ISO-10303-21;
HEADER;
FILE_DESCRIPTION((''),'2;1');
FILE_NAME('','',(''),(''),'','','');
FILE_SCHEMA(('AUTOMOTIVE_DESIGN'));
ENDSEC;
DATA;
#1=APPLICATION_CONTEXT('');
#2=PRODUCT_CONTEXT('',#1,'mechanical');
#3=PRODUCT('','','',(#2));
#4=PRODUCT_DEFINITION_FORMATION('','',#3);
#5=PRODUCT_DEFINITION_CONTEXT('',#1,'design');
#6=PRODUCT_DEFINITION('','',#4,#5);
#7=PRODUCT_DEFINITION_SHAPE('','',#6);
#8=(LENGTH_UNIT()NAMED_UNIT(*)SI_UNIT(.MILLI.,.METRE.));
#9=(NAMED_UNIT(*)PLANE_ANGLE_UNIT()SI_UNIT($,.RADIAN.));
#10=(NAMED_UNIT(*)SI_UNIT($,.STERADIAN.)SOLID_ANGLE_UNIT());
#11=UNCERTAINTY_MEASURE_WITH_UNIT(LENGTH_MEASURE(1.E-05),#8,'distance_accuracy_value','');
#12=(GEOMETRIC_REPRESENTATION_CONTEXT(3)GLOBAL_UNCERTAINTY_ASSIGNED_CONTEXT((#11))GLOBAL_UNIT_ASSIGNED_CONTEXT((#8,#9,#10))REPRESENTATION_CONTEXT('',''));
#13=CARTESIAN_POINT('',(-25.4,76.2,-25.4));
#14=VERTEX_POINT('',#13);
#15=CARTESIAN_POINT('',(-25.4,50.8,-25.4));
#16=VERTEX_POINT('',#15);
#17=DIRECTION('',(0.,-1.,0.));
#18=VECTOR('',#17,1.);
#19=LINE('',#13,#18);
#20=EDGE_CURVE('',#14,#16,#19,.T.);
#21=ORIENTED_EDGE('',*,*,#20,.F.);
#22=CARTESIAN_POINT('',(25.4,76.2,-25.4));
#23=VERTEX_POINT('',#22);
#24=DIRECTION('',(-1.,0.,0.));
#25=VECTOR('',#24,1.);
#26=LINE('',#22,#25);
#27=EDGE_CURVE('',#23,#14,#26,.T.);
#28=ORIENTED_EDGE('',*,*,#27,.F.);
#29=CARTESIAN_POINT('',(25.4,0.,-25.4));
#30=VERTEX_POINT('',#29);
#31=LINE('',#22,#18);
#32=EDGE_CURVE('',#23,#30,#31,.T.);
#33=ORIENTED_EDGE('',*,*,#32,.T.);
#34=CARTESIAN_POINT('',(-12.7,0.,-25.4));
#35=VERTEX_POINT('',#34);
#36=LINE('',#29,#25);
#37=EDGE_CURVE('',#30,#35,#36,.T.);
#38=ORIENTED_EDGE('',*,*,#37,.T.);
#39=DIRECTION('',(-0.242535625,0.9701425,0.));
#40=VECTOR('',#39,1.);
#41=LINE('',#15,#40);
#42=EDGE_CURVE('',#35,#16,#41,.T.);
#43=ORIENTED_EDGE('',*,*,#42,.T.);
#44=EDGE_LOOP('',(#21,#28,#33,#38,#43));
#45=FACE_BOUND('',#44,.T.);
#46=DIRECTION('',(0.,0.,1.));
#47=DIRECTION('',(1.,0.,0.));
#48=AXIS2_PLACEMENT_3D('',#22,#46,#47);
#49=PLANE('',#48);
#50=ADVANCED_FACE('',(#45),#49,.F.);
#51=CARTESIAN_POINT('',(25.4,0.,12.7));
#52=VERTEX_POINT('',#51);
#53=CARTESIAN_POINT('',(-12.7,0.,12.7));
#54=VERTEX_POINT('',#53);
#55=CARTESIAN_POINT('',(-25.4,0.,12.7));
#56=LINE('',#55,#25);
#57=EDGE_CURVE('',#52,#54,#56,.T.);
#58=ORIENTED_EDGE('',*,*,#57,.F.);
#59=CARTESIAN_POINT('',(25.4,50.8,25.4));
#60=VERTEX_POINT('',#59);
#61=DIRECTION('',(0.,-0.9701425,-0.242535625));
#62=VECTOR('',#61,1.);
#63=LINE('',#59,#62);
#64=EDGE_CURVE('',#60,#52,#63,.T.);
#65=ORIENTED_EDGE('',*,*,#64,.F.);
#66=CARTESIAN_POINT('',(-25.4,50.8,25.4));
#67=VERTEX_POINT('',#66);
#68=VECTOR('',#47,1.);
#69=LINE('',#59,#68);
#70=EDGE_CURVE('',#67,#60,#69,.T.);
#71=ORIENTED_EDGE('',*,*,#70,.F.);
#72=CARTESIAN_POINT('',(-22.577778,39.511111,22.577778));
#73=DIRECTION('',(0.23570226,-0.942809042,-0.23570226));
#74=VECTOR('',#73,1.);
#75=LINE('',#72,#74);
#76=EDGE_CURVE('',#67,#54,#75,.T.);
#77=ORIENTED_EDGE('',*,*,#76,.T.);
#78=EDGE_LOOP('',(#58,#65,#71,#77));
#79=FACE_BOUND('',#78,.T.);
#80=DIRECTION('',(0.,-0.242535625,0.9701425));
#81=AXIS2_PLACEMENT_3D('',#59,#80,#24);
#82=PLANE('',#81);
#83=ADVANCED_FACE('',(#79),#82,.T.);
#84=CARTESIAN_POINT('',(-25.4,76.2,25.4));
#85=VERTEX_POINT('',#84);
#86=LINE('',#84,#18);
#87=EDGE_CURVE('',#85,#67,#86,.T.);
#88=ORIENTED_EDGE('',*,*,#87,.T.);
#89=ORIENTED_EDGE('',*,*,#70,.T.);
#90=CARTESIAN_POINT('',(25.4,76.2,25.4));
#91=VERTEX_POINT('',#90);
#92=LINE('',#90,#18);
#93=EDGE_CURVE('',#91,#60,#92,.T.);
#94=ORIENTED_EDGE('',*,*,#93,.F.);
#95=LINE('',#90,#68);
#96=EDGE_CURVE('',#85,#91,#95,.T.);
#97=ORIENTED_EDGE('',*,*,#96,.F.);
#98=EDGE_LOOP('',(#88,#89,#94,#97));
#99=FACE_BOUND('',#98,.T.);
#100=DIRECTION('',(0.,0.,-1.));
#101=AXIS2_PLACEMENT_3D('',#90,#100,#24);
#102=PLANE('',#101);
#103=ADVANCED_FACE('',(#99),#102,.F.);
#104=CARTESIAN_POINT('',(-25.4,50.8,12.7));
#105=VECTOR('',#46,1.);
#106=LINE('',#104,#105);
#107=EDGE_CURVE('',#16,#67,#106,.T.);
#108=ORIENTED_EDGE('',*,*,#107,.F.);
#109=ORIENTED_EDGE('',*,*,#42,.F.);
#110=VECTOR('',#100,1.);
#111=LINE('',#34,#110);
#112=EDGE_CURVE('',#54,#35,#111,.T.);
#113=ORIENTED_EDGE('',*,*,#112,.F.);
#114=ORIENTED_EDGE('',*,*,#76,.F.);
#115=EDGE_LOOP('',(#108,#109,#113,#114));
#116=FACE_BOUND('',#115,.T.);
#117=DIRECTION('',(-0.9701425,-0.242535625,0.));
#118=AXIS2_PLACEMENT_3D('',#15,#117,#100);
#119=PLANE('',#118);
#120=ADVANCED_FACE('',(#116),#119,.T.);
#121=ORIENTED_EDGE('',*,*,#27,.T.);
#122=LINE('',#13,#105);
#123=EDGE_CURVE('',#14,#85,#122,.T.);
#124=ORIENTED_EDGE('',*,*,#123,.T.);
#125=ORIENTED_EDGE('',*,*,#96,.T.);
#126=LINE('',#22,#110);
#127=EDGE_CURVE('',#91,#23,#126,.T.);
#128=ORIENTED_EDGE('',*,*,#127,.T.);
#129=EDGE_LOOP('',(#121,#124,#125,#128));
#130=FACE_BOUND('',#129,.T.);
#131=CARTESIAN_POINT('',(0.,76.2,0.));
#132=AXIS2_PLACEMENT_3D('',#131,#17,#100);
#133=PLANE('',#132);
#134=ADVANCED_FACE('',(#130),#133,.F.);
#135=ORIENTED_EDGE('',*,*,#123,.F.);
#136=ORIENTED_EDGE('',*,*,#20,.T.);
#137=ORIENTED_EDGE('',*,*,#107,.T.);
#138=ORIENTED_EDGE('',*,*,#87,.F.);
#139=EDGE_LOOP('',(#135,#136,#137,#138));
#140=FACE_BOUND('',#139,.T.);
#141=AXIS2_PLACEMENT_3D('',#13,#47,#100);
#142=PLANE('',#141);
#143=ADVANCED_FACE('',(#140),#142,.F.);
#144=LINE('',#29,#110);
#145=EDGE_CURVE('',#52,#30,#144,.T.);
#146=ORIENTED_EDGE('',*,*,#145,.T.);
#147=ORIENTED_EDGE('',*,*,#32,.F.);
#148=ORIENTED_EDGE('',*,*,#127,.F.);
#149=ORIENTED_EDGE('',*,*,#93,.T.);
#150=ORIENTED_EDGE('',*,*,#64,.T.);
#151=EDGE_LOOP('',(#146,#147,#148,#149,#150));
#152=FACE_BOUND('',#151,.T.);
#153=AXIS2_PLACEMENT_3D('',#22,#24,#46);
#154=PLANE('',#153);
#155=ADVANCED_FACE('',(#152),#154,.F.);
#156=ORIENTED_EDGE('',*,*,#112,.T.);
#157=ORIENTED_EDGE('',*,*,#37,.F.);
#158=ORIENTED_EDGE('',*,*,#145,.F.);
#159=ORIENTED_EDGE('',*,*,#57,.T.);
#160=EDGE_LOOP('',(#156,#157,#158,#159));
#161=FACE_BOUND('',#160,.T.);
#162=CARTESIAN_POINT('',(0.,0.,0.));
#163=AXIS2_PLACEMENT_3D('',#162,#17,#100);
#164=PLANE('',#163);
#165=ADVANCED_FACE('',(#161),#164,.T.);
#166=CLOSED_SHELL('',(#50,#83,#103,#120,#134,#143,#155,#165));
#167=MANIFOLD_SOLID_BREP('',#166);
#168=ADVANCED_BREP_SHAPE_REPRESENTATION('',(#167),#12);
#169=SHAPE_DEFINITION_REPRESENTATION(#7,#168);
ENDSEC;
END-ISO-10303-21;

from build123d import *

# Parameters (mm, degrees)
SKETCH1_W           = 50.8
SKETCH1_H           = 50.8
BOSS_EXTRUDE1_DEPTH = 76.2
CHAMFER1_SIZE       = 12.7
CHAMFER1_SIZE2      = 50.8
CHAMFER2_SIZE       = 12.7
CHAMFER2_SIZE2      = 50.8


with BuildPart() as part:
    # Sketch1 → Boss-Extrude1 (new body)
    with BuildSketch(Plane(origin=(0, 0, 0), x_dir=(1, 0, 0), z_dir=(0, 1, 0))):
        Rectangle(SKETCH1_W, SKETCH1_H)
    extrude(amount=BOSS_EXTRUDE1_DEPTH)

    # Chamfer1
    chamfer1_edges = [part.edges().sort_by_distance(p)[0] for p in [
        (0, 0, 25.4),
    ]]
    chamfer1_side = [part.faces().sort_by_distance(p)[0] for p in [
        (0, 0, 0),
    ]]
    chamfer(chamfer1_edges, length=CHAMFER1_SIZE, length2=CHAMFER1_SIZE2, reference=chamfer1_side[0])

    # Chamfer2
    chamfer2_edges = [part.edges().sort_by_distance(p)[0] for p in [
        (-25.4, 0, -6.35),
    ]]
    chamfer2_side = [part.faces().sort_by_distance(p)[0] for p in [
        (0, 0, -6.35),
    ]]
    chamfer(chamfer2_edges, length=CHAMFER2_SIZE, length2=CHAMFER2_SIZE2, reference=chamfer2_side[0])


solid = part.part
